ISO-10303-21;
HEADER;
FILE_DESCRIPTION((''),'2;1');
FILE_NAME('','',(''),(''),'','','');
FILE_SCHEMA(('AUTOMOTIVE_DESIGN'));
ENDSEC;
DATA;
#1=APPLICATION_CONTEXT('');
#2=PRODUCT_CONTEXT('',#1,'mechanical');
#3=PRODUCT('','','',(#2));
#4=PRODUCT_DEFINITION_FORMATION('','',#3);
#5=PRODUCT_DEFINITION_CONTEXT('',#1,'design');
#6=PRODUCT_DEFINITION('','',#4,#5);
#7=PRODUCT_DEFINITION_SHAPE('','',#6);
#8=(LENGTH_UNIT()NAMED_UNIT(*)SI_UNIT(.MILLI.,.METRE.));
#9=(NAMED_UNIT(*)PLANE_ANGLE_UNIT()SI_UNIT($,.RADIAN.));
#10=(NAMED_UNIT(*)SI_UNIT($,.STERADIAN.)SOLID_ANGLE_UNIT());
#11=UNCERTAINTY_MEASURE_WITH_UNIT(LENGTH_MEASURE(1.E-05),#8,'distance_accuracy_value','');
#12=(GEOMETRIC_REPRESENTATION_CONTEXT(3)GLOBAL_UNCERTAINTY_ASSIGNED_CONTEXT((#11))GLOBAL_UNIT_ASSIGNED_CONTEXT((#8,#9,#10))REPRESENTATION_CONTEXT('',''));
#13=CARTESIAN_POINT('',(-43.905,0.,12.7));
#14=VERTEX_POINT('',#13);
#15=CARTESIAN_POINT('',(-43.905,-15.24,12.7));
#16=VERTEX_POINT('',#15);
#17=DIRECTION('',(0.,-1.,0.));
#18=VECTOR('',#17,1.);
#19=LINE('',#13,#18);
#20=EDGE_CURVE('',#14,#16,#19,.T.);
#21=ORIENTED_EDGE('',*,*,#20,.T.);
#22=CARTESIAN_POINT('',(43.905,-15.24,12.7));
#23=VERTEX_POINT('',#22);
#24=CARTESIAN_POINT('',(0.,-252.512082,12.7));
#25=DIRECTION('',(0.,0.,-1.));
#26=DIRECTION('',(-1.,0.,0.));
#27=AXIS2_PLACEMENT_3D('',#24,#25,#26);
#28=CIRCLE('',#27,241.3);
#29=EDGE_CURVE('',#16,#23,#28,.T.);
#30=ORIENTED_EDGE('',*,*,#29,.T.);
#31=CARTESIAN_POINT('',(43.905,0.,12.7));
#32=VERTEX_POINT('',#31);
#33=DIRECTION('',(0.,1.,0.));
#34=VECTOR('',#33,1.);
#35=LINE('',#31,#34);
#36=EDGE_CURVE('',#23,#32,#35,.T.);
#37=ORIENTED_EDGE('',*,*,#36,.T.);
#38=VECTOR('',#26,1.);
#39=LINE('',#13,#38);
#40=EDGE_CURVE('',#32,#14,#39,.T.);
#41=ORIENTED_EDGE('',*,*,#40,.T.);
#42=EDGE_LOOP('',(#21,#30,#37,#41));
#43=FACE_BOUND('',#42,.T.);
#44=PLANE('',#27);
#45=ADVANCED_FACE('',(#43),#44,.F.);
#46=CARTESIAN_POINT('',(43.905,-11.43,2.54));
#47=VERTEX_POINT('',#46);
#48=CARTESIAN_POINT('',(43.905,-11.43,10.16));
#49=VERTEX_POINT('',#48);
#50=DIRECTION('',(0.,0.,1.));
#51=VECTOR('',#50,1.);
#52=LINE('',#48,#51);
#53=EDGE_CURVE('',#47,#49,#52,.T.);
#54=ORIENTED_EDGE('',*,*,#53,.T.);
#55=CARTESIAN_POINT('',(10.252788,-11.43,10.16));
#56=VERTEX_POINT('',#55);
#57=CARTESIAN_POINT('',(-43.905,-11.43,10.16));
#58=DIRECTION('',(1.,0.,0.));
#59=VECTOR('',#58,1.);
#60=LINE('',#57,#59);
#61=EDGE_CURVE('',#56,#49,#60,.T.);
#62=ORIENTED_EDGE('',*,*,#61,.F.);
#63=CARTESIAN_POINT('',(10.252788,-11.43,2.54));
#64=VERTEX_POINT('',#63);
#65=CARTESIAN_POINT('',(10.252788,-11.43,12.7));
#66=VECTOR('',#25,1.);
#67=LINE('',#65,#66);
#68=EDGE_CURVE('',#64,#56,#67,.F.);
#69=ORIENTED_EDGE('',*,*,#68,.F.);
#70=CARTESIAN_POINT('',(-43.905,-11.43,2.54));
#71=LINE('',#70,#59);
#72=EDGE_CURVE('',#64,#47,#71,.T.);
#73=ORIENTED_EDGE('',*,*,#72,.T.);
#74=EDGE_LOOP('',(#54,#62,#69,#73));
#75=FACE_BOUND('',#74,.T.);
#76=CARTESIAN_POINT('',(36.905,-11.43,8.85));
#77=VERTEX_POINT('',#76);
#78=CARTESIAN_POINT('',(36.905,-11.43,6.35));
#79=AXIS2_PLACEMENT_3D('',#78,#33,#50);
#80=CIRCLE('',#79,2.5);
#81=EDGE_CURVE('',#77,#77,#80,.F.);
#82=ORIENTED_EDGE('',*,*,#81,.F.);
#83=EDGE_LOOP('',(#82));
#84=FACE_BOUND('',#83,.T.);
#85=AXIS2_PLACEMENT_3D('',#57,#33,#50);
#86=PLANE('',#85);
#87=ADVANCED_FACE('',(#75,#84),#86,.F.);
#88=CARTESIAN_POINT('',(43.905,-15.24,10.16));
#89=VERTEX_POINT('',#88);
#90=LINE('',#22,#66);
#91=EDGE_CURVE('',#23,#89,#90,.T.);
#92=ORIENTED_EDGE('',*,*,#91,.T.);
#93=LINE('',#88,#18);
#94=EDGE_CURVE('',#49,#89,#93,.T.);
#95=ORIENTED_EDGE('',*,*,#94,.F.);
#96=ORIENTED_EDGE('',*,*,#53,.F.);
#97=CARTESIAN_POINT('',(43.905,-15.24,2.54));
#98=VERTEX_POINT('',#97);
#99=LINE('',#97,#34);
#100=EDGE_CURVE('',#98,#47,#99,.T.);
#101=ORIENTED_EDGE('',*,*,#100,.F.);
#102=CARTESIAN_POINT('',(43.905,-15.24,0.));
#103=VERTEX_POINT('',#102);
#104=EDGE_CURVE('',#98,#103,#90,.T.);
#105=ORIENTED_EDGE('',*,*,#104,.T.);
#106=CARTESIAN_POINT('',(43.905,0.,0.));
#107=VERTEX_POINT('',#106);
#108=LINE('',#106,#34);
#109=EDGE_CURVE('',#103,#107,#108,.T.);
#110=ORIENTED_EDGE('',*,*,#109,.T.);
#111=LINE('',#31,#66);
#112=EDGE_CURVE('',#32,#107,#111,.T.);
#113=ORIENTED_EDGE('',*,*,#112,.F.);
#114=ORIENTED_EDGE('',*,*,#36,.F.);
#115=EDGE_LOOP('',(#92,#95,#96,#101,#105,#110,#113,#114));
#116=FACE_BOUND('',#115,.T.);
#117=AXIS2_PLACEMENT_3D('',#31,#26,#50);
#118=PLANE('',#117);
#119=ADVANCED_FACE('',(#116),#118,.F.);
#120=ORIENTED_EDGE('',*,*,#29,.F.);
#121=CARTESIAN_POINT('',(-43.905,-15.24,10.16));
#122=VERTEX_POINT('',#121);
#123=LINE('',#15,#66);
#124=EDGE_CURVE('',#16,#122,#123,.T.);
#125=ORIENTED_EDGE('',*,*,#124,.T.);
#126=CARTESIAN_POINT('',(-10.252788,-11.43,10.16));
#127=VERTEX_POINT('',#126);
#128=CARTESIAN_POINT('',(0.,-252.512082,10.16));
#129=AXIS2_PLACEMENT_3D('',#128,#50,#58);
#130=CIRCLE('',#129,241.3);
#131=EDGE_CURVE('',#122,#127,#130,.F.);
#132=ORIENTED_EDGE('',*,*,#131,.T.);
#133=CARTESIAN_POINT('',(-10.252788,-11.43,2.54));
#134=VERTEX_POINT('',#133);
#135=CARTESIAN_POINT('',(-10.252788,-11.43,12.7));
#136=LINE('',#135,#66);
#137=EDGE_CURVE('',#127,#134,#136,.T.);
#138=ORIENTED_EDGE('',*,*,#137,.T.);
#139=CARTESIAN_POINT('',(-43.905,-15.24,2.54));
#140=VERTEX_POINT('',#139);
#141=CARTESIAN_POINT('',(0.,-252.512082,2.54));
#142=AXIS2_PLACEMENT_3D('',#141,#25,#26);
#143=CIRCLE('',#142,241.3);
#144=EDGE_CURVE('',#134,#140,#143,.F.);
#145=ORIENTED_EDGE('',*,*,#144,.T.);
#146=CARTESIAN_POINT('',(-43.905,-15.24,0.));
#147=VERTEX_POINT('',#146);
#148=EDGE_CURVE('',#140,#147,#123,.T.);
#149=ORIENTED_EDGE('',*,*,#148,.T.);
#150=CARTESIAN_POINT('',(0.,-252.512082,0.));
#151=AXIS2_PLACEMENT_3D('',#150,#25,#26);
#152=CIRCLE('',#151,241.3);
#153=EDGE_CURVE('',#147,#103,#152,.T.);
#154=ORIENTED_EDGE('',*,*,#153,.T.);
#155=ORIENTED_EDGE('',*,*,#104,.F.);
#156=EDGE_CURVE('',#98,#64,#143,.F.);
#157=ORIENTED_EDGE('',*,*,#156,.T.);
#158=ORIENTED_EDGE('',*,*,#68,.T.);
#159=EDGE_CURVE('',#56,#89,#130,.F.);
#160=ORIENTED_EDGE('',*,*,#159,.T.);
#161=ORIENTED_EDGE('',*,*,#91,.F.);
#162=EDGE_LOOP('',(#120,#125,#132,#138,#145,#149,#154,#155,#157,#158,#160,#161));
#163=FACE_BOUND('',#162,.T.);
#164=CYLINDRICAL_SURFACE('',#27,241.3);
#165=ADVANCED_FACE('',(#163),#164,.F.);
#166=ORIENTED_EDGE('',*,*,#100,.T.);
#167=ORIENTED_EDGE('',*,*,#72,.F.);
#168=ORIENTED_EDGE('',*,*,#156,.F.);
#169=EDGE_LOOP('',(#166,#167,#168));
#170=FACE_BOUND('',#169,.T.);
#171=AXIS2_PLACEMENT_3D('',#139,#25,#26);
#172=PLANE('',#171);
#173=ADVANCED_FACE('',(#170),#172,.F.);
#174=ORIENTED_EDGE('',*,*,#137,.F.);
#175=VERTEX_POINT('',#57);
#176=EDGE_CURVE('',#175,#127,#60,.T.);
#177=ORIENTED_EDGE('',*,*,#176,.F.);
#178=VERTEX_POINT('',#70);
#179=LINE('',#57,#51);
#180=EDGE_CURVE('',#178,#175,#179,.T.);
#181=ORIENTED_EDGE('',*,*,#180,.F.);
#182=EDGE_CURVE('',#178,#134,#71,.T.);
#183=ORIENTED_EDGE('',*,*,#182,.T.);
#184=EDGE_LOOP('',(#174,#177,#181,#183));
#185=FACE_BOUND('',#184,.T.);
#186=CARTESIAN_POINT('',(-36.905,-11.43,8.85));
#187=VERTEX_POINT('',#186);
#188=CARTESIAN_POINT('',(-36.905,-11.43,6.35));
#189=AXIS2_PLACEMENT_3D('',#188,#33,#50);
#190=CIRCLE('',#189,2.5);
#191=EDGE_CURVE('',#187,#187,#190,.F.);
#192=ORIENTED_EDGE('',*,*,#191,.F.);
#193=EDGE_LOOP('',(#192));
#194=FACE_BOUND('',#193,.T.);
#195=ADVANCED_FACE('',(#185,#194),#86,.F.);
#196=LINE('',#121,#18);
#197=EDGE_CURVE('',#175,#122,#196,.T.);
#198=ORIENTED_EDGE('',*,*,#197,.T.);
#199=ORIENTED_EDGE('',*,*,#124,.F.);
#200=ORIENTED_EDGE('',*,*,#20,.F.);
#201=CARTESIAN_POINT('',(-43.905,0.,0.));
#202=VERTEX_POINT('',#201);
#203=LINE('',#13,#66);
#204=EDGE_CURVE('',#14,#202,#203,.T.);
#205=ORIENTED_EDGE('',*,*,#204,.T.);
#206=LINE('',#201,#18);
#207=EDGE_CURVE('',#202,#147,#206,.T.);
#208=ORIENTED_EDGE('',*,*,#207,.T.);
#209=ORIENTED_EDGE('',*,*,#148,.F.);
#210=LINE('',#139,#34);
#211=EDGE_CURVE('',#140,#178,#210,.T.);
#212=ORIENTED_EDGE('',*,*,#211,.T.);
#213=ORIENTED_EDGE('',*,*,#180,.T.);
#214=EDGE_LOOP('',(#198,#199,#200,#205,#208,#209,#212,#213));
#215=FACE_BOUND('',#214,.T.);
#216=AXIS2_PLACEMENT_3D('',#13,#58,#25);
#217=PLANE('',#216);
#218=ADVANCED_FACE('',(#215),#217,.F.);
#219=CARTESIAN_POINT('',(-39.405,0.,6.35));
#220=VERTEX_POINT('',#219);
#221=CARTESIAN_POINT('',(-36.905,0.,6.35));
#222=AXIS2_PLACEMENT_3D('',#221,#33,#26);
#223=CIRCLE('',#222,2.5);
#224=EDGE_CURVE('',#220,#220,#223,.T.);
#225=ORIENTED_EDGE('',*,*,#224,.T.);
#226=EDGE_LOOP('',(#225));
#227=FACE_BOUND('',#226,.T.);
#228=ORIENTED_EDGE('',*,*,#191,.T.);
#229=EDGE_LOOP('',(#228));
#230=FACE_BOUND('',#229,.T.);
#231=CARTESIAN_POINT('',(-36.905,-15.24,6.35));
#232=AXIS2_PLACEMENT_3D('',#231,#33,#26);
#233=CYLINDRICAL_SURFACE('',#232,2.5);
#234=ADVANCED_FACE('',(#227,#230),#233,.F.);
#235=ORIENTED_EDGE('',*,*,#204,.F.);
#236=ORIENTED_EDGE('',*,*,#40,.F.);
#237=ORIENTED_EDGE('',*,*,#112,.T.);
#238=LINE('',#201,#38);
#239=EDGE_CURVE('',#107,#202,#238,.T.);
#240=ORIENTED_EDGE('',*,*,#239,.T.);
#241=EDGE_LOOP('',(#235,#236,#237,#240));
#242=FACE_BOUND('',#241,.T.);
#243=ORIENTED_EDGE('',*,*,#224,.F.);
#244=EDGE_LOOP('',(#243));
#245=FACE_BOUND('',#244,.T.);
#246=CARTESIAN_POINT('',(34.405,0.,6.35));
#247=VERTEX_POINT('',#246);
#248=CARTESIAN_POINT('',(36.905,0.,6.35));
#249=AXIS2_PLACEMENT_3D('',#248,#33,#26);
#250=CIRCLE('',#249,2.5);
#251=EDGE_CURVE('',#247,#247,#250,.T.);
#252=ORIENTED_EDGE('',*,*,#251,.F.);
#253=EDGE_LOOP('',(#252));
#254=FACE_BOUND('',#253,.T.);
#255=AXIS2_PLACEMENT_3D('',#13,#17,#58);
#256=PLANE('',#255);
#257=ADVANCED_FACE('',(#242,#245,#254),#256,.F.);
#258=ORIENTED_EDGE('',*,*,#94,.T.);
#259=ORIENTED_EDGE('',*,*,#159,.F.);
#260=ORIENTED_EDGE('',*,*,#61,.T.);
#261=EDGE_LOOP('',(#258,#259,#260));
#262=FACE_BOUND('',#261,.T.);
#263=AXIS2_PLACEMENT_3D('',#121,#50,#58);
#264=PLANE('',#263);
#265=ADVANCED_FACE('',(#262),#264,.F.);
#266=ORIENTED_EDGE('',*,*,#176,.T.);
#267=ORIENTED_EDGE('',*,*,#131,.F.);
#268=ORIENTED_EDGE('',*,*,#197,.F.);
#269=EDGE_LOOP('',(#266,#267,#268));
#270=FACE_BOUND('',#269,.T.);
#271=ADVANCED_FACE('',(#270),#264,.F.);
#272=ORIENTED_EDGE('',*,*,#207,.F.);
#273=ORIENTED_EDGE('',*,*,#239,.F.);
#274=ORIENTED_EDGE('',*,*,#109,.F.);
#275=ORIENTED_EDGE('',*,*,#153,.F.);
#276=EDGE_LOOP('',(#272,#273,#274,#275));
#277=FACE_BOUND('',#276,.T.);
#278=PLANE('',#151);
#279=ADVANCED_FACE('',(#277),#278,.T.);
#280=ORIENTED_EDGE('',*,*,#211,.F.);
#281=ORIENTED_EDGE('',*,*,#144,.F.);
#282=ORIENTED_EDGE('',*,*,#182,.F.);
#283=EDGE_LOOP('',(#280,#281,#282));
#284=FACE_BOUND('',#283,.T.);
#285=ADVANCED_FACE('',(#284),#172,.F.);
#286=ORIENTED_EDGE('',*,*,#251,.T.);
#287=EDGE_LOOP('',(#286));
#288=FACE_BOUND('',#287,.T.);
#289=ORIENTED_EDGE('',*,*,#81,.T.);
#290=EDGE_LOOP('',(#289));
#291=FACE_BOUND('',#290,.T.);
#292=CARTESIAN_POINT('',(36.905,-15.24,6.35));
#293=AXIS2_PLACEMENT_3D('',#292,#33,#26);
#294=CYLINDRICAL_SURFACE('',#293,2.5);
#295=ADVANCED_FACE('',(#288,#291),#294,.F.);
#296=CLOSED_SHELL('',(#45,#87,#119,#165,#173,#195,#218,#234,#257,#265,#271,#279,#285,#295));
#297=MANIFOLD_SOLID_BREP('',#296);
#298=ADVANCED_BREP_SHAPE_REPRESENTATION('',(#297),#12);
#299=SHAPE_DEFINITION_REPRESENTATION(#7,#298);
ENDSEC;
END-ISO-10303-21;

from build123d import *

# Parameters (mm, degrees)
BOSS_EXTRUDE1_DEPTH = 12.7
SKETCH2_R           = 2.5
CUT_EXTRUDE1_DEPTH  = 16.24
SKETCH3_W           = 7.62
SKETCH3_H           = 3.81
CUT_EXTRUDE2_DEPTH  = 88.8100001


with BuildPart() as part:
    # Sketch1 → Boss-Extrude1 (new body)
    with BuildSketch(Plane.XY):
        with BuildLine():
            Line((-43.905, 0), (43.905, 0))
            Line((43.905, 0), (43.905, -15.24))
            ThreePointArc((43.905, -15.24), (0, -11.212082165), (-43.905, -15.24))
            Line((-43.905, -15.24), (-43.905, 0))
        make_face()
    extrude(amount=BOSS_EXTRUDE1_DEPTH)

    # Sketch2 → Cut-Extrude1 (cut, through all)
    with BuildSketch(Plane(origin=(0, 0, 0), x_dir=(1, 0, 0), z_dir=(0, 1, 0))):
        with Locations((-36.905, -6.35)):
            Circle(SKETCH2_R)
        with Locations((36.905, -6.35)):
            Circle(SKETCH2_R)
    extrude(amount=-CUT_EXTRUDE1_DEPTH, mode=Mode.SUBTRACT)

    # Sketch3 → Cut-Extrude2 (cut, through all)
    with BuildSketch(Plane(origin=(43.905, 0, 0), x_dir=(0, 0, -1), z_dir=(1, 0, 0))):
        with Locations((-6.35, -13.335)):
            Rectangle(SKETCH3_W, SKETCH3_H)
    extrude(amount=-CUT_EXTRUDE2_DEPTH, mode=Mode.SUBTRACT)


solid = part.part
